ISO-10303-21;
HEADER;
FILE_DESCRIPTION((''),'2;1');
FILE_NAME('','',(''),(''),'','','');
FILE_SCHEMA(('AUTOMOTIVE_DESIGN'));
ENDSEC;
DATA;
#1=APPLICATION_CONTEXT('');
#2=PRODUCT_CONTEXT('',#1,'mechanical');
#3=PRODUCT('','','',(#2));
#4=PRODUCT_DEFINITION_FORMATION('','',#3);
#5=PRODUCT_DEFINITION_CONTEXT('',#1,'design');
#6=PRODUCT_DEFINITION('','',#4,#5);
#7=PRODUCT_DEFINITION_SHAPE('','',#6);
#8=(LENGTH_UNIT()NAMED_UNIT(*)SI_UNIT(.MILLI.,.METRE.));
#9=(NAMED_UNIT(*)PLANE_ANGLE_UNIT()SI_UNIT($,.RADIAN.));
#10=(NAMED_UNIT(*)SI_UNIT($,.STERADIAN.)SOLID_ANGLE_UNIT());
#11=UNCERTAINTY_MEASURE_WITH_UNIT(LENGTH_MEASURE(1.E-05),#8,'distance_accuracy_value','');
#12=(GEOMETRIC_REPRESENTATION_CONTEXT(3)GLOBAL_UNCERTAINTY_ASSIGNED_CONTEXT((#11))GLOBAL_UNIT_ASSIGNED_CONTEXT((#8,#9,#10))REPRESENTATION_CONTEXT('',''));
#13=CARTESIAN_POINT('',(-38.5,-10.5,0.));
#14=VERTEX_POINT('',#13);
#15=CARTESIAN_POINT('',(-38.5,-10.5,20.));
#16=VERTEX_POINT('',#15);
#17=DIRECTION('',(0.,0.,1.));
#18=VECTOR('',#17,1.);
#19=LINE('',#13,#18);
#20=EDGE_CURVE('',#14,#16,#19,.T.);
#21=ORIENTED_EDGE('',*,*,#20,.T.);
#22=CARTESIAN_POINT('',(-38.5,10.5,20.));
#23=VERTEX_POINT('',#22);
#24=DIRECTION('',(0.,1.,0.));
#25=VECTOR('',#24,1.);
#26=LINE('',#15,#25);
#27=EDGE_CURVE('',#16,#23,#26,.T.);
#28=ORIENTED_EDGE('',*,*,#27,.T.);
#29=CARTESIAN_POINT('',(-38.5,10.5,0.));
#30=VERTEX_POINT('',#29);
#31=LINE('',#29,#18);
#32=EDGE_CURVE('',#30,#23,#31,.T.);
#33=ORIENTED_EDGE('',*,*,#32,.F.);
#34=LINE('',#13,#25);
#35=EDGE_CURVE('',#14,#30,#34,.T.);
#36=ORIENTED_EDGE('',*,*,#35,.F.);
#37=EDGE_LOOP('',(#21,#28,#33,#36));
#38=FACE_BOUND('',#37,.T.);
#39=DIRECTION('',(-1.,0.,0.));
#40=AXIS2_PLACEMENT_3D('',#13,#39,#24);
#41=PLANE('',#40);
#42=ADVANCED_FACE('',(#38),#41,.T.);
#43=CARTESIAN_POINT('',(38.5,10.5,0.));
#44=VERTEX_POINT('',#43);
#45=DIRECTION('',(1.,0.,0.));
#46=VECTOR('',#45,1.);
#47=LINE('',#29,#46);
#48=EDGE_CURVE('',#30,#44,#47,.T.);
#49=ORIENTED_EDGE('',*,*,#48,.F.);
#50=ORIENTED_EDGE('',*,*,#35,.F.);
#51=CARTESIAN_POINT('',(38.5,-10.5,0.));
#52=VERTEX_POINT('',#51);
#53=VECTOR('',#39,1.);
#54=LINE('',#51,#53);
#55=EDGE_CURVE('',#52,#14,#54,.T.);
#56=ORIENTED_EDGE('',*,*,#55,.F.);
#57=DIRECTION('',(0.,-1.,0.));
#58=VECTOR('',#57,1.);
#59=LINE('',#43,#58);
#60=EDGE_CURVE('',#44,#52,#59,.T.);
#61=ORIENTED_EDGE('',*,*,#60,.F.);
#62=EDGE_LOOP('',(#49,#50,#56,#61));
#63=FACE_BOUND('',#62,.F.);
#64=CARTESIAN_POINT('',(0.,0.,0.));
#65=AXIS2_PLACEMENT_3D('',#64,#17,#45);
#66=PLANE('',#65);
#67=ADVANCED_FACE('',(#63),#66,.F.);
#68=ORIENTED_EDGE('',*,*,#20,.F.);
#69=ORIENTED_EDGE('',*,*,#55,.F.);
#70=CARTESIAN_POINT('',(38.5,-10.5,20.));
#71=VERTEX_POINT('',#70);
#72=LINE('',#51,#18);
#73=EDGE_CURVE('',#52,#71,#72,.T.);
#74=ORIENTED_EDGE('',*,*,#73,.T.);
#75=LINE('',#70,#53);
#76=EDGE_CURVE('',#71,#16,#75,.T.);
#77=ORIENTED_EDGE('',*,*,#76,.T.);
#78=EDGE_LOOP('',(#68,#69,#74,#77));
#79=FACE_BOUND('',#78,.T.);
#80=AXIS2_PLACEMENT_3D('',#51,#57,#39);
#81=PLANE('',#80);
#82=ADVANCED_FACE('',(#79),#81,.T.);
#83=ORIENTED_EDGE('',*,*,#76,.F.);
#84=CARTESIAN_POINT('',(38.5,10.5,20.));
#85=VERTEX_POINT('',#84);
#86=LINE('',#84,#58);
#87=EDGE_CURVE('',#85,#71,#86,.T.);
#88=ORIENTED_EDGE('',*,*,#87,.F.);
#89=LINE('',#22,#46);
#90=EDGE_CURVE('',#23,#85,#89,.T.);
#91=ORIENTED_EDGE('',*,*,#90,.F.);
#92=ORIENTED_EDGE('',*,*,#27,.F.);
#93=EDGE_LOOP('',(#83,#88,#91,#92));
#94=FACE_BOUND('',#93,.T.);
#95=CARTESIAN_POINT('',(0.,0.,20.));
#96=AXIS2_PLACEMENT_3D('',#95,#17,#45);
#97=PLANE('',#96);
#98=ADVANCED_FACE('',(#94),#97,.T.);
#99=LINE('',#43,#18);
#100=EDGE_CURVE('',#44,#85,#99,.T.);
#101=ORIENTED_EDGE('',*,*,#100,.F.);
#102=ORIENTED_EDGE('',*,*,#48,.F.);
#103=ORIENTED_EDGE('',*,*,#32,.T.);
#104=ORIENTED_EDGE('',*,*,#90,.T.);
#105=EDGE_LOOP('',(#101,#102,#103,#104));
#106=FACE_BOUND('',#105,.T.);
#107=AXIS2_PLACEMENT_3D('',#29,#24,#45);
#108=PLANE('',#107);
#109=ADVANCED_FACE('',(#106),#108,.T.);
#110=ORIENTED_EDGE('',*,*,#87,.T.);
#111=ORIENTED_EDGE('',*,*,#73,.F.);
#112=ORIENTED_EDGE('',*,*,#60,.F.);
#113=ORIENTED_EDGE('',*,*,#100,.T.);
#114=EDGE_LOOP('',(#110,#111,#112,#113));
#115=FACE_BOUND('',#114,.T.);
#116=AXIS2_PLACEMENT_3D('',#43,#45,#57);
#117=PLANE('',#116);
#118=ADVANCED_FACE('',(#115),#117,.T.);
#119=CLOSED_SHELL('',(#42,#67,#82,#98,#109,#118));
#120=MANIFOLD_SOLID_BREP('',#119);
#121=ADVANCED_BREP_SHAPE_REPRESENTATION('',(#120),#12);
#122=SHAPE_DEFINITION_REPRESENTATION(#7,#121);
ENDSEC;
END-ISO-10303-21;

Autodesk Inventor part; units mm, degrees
ref_plane "YZ Plane" through (0, 0, 0) normal (1, 0, 0) x (0, 1, 0)
ref_plane "XZ Plane" through (0, 0, 0) normal (0, 1, 0) x (-1, 0, 0)
ref_plane "XY Plane" through (0, 0, 0) normal (0, 0, 1) x (1, 0, 0)
sketch "Sketch1" plane through (0, 0, 0) normal (0, 0, 1) x (1, 0, 0)
  line L0 (-38.5, 10.5) -> (38.5, 10.5)
  line L1 (38.5, 10.5) -> (38.5, -10.5)
  line L2 (38.5, -10.5) -> (-38.5, -10.5)
  line L3 (-38.5, -10.5) -> (-38.5, 10.5)
  point P0 (0, 0)
  point P1 (38.5, 0)
  point P2 (0, 10.5)
  dimension "d0" = 77
  dimension "d1" = 21
extrude "Extrusion1" add sketch "Sketch1" along normal blind 20
properties part number "battery-holder" material "ABS Plastic"
